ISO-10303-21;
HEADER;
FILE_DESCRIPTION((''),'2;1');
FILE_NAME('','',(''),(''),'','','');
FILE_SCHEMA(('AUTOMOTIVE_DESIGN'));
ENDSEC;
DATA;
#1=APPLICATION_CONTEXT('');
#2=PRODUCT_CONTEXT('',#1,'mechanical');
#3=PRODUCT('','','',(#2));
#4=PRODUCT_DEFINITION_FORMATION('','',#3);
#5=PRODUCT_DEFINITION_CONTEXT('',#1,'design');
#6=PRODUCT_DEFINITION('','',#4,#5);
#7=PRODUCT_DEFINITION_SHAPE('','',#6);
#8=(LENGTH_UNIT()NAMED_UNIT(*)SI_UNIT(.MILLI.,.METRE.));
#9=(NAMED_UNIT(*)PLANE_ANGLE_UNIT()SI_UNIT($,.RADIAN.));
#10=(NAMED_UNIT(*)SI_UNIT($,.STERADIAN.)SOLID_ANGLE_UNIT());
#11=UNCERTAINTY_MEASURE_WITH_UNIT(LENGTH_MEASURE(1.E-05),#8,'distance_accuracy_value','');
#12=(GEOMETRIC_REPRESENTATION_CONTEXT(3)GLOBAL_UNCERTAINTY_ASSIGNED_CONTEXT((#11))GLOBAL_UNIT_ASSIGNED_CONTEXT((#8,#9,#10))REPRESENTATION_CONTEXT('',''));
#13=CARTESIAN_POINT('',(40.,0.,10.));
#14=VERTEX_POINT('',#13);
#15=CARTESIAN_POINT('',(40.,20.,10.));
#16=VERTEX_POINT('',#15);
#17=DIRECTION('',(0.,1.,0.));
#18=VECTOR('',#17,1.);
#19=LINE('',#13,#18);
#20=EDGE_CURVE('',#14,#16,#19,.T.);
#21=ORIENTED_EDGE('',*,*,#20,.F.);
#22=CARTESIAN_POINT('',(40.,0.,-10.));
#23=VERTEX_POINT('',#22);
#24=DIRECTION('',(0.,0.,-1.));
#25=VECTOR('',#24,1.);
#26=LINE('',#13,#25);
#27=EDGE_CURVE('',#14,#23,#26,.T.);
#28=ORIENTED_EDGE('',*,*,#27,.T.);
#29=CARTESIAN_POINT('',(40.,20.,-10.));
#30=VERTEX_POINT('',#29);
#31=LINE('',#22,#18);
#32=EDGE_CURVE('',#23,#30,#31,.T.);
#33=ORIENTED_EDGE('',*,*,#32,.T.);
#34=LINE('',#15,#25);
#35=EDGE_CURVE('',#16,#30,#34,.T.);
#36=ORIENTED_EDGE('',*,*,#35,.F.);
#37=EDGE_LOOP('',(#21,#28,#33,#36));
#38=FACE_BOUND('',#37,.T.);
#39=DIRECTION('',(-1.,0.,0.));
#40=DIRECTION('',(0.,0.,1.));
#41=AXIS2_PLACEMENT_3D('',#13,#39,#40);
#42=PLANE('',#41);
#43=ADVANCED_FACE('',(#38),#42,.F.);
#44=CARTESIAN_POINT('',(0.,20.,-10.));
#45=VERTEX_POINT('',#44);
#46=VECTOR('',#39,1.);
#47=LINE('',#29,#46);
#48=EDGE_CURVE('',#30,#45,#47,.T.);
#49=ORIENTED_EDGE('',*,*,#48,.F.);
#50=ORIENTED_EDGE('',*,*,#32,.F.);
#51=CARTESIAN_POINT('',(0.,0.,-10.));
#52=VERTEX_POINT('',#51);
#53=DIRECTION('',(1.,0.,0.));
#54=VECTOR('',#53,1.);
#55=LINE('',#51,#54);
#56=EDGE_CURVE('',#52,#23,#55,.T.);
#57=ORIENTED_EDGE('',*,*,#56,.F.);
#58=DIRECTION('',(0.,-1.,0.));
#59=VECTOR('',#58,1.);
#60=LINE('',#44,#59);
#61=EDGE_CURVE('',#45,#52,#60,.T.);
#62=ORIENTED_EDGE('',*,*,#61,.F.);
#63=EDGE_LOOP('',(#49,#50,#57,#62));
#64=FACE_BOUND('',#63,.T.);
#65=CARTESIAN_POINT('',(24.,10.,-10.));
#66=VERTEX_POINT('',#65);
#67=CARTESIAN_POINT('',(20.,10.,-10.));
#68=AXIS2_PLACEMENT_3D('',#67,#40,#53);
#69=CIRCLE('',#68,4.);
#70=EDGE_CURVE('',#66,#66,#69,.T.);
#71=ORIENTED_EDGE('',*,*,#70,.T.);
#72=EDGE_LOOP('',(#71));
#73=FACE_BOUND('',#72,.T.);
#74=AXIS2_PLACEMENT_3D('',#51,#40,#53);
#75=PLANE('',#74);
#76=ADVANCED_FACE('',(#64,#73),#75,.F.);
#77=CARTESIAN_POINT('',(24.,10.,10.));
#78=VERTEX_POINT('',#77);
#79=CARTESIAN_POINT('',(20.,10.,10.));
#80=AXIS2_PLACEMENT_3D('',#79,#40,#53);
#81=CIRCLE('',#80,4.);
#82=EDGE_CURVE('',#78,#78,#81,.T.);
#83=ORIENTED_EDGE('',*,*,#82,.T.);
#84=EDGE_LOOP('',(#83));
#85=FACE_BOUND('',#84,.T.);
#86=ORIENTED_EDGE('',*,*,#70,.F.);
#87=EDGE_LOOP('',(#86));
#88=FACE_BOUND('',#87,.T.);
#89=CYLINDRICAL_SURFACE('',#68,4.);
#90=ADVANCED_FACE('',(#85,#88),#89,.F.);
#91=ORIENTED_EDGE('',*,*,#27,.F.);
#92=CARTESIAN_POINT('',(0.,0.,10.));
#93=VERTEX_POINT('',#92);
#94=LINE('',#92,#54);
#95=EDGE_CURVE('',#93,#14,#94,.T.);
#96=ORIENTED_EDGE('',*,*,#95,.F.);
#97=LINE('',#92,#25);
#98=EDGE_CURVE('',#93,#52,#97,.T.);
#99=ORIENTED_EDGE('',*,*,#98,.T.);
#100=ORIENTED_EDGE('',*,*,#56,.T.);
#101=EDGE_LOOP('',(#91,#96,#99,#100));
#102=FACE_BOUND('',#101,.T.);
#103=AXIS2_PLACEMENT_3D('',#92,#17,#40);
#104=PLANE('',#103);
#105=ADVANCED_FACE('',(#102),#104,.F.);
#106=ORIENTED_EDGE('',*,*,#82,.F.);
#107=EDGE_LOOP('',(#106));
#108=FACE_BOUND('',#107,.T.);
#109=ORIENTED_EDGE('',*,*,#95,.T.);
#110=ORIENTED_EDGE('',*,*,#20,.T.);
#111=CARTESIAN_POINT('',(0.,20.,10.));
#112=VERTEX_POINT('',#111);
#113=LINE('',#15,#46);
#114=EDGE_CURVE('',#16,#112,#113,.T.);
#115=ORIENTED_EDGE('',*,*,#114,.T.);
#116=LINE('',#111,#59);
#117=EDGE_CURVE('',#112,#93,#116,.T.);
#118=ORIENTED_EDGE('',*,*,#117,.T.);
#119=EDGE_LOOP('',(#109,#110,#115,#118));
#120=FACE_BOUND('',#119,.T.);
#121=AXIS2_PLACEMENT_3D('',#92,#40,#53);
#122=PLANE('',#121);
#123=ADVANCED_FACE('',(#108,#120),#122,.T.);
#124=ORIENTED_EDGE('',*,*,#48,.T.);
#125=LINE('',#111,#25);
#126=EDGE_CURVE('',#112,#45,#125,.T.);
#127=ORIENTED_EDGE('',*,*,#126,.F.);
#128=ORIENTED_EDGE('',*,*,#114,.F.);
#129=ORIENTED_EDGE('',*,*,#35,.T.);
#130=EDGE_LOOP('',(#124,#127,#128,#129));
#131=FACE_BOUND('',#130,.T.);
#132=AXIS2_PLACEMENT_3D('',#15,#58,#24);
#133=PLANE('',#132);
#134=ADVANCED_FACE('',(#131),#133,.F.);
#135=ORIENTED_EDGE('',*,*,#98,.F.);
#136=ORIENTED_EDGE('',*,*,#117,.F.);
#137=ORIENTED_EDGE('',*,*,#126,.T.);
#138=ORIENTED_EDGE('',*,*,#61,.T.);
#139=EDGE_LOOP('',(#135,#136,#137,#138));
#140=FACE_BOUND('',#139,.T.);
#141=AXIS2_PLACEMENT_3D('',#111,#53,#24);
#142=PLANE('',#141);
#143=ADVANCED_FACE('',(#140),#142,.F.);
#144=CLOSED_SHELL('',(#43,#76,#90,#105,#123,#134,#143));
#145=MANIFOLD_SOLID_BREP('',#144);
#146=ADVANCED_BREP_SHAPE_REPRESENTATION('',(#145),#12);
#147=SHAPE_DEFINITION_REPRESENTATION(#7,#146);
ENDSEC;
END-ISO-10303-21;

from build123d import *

# Parameters (mm, degrees)
SKETCH1_W               = 40
SKETCH1_H               = 20
BOSS_EXTRUDE1_DEPTH     = 10
CUT_EXTRUDE1_DEPTH      = 46.82575695
CUT_EXTRUDE1_DEPTH_BACK = 46.82575695
SKETCH2_R               = 4


with BuildPart() as part:
    # Sketch1 → Boss-Extrude1 (new, symmetric)
    with BuildSketch(Plane.XY):
        with Locations((20, 10)):
            Rectangle(SKETCH1_W, SKETCH1_H)
    extrude(amount=BOSS_EXTRUDE1_DEPTH, both=True)

    # Sketch2 → Cut-Extrude1 (cut, two sides: drawn at the far end of the back side and taken through both)
    with BuildSketch(Plane.XY.offset(-CUT_EXTRUDE1_DEPTH_BACK)):
        with Locations((20, 10)):
            Circle(SKETCH2_R)
    extrude(amount=CUT_EXTRUDE1_DEPTH + CUT_EXTRUDE1_DEPTH_BACK, mode=Mode.SUBTRACT)


solid = part.part
